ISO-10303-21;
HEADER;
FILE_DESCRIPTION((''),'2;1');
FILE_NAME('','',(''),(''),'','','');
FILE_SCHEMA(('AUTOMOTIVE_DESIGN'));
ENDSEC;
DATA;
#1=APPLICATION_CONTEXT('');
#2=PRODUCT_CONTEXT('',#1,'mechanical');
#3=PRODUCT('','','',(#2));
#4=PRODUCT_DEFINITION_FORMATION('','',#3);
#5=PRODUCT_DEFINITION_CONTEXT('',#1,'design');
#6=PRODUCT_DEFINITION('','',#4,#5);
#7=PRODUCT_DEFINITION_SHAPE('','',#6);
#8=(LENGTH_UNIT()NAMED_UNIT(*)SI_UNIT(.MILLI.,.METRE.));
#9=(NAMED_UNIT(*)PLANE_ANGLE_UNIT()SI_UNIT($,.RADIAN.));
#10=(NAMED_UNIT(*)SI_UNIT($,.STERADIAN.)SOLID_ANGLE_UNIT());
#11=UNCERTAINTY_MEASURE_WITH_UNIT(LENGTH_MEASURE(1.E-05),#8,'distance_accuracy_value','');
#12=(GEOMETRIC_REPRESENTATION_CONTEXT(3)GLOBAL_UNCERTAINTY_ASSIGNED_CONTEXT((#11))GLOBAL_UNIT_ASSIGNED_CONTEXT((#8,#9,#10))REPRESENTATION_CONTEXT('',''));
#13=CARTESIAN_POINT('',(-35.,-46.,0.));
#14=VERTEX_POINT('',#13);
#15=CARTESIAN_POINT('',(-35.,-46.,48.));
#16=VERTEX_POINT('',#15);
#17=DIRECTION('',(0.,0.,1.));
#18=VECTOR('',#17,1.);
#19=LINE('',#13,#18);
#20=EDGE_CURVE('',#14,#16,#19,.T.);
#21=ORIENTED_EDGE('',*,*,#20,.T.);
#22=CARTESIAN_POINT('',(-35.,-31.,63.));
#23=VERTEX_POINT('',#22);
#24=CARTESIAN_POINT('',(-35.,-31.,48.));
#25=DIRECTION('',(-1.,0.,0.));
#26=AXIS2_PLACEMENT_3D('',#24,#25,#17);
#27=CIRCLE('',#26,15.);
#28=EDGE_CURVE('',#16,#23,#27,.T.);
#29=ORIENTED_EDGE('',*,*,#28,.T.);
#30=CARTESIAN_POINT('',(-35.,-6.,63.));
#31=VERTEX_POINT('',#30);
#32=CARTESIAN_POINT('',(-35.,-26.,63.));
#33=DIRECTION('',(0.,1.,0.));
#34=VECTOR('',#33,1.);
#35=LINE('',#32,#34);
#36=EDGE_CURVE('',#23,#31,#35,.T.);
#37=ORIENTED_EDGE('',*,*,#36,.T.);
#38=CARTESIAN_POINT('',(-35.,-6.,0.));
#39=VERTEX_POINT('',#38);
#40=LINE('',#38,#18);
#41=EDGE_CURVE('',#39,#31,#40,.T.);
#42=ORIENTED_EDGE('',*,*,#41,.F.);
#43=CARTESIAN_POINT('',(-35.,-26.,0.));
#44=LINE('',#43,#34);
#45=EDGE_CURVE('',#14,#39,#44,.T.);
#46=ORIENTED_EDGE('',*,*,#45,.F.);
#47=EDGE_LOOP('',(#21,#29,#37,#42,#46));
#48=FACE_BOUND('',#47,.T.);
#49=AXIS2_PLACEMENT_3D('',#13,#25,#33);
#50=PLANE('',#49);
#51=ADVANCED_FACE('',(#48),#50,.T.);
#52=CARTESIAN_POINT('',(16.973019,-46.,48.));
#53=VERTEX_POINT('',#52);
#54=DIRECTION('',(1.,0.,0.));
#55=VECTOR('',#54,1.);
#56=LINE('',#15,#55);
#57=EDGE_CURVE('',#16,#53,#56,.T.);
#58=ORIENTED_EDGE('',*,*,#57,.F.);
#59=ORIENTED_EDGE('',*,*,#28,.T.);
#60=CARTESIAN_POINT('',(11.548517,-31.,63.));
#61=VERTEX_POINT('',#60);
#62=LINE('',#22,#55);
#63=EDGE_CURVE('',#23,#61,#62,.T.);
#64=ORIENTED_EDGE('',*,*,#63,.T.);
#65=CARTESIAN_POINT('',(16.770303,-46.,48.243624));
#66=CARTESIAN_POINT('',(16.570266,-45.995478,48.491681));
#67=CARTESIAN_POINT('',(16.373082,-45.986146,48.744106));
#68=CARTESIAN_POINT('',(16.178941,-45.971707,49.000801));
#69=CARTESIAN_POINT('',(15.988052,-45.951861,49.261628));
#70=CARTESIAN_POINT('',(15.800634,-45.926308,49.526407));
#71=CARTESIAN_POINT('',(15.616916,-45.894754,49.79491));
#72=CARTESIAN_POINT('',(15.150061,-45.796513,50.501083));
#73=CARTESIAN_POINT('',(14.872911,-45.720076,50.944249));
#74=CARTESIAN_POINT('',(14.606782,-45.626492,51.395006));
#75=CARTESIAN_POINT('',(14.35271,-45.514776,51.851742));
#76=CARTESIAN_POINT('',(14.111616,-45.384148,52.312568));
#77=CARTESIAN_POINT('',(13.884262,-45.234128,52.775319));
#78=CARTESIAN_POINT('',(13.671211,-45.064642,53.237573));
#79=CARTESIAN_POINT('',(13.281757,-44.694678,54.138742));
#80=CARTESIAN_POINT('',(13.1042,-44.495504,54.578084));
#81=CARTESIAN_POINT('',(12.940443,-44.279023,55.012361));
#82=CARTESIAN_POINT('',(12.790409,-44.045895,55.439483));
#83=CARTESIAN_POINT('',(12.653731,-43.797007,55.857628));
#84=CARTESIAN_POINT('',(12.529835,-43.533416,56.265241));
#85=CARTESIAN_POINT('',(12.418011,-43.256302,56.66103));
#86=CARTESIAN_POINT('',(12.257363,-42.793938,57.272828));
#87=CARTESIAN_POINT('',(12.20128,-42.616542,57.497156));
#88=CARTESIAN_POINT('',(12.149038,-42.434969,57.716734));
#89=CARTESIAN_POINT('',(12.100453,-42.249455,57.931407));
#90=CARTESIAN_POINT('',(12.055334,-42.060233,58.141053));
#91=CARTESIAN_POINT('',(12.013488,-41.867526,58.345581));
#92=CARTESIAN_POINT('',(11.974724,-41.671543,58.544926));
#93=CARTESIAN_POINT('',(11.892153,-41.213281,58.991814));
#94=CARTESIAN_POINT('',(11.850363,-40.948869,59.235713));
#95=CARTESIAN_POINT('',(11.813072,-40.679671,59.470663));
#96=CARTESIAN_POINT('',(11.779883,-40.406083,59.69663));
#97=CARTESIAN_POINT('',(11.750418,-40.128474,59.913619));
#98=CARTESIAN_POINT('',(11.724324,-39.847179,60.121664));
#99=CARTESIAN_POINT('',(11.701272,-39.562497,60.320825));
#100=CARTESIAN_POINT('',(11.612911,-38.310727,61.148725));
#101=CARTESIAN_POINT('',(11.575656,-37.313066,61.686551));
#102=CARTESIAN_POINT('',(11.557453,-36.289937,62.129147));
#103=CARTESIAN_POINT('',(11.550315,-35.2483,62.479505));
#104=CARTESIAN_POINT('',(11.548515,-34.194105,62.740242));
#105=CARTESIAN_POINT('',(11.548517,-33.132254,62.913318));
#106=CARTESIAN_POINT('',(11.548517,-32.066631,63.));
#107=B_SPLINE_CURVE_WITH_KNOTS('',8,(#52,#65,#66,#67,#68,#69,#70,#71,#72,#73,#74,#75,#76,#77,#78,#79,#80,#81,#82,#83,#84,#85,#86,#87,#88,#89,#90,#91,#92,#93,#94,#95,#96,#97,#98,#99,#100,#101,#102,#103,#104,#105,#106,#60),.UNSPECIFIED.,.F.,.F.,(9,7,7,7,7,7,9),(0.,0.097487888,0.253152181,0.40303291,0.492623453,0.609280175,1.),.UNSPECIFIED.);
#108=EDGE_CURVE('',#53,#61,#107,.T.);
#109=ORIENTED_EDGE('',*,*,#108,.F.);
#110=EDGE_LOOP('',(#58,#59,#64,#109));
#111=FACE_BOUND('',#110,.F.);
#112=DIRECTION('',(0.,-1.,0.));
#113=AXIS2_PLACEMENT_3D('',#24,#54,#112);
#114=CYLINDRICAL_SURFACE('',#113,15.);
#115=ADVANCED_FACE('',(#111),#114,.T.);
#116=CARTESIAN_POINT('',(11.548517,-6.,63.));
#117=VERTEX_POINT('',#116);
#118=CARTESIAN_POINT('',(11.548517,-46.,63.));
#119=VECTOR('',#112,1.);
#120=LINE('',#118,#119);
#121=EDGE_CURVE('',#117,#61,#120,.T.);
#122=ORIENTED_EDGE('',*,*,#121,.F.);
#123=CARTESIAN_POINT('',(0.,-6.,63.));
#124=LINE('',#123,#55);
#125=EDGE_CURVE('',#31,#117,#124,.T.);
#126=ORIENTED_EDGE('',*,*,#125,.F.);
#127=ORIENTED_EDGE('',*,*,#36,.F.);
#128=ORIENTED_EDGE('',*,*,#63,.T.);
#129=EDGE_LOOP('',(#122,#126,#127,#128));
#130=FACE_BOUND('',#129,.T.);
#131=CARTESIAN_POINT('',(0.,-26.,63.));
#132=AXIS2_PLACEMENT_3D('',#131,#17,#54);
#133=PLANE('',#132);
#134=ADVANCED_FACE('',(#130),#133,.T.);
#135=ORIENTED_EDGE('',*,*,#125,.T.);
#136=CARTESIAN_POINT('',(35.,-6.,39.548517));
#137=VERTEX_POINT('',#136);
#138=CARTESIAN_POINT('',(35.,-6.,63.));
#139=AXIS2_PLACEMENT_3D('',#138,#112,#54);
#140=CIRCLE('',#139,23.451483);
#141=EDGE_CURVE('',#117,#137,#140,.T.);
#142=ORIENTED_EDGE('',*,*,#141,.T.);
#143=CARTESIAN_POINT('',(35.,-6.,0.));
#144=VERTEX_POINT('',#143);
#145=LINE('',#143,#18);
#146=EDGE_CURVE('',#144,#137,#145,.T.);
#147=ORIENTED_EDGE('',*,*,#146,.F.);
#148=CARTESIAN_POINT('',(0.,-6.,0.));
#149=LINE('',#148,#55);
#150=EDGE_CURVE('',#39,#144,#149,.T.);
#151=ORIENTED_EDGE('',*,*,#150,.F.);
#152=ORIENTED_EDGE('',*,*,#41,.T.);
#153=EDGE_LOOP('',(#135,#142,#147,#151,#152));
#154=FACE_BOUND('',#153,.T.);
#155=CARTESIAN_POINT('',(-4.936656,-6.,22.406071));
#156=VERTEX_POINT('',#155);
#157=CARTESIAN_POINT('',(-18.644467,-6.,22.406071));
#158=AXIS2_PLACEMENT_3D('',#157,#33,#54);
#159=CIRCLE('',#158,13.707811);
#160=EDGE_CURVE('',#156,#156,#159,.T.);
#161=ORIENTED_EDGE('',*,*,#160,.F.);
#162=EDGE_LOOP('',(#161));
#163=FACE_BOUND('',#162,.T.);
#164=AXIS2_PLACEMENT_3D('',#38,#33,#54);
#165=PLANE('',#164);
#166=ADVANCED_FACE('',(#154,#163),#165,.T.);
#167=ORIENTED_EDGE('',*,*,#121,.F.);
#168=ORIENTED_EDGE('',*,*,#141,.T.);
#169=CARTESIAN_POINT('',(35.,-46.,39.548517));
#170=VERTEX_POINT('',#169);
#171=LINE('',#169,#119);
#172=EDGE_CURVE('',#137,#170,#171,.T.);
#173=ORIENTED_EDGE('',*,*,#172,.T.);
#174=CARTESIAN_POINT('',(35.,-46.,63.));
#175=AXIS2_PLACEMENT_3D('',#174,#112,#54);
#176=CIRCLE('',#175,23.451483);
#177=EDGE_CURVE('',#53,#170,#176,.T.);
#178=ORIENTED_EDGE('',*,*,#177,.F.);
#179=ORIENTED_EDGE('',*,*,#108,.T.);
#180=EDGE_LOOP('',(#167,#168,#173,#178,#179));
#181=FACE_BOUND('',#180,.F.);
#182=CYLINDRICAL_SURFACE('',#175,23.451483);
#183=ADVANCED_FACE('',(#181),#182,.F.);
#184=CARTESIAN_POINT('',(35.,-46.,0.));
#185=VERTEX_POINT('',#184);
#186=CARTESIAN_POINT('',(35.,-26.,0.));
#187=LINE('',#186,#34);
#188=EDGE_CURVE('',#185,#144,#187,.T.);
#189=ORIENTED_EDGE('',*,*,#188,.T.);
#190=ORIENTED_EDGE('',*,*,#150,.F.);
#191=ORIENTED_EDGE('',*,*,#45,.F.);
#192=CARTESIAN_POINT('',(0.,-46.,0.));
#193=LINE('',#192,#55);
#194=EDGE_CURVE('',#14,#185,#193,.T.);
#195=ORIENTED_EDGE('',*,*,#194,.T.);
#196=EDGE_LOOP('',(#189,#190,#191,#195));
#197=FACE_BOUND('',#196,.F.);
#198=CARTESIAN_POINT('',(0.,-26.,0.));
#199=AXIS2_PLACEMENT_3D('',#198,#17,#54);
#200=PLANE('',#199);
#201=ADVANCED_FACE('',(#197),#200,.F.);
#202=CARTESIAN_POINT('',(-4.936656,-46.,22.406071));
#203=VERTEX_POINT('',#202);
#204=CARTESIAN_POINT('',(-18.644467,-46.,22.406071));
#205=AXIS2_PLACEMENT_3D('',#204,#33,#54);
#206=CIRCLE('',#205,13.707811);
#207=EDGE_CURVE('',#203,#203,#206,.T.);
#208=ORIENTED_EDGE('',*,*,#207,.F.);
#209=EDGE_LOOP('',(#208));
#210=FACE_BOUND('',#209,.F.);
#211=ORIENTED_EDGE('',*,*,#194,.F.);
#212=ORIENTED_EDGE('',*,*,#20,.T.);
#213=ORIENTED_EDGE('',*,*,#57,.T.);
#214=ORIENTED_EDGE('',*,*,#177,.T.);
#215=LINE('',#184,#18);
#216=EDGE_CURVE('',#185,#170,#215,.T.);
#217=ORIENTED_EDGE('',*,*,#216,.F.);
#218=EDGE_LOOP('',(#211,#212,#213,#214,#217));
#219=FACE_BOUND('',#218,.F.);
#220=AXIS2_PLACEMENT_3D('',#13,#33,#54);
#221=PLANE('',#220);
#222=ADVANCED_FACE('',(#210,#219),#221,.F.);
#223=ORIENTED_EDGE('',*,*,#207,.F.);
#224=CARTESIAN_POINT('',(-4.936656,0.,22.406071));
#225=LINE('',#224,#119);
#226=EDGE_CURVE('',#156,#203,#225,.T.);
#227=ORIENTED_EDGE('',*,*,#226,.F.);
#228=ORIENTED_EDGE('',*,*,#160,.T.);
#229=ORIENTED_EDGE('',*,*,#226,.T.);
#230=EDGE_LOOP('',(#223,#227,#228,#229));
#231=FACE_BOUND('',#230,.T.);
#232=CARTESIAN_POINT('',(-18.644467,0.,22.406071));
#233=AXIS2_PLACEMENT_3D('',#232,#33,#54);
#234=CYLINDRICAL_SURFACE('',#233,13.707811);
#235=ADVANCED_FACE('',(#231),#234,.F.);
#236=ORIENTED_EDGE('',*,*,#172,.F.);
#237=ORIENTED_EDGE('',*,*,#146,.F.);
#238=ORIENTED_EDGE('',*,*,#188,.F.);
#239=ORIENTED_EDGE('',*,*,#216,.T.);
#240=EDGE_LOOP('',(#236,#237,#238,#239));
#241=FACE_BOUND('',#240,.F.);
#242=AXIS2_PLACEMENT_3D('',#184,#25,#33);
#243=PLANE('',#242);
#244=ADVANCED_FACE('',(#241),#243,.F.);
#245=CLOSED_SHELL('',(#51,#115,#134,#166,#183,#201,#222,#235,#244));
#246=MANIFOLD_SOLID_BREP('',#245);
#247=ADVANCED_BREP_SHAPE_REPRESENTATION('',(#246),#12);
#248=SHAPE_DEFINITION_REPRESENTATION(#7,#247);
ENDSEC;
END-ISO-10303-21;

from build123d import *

# Parameters (mm, degrees)
F0_W     = 70
F0_H     = 40
F1_DEPTH = 63
F2_R     = 23.451483
F3_DEPTH = 74
F4_R     = 13.707811
F5_DEPTH = 87.035492
F6_R     = 15


with BuildPart() as f1:
    # F0 (on Top) → F1 (new body)
    with BuildSketch(Plane.XY):
        with Locations((0, -26)):
            Rectangle(F0_W, F0_H)
    extrude(amount=F1_DEPTH)

    # F2 (on face) → F3 (cut)
    with BuildSketch(Plane.XZ.offset(46)):
        with Locations((35, 63)):
            Circle(F2_R)
    extrude(amount=-F3_DEPTH, mode=Mode.SUBTRACT)

    # F4 (on Front) → F5 (cut)
    with BuildSketch(Plane.XZ):
        with Locations((-18.644467, 22.406071)):
            Circle(F4_R)
    extrude(amount=F5_DEPTH, mode=Mode.SUBTRACT)

    # F6
    f6_edges = [f1.edges().sort_by_distance(p)[0] for p in [
        (-11.725742, -46, 63),
    ]]
    fillet(f6_edges, radius=F6_R)


solid = f1.part
